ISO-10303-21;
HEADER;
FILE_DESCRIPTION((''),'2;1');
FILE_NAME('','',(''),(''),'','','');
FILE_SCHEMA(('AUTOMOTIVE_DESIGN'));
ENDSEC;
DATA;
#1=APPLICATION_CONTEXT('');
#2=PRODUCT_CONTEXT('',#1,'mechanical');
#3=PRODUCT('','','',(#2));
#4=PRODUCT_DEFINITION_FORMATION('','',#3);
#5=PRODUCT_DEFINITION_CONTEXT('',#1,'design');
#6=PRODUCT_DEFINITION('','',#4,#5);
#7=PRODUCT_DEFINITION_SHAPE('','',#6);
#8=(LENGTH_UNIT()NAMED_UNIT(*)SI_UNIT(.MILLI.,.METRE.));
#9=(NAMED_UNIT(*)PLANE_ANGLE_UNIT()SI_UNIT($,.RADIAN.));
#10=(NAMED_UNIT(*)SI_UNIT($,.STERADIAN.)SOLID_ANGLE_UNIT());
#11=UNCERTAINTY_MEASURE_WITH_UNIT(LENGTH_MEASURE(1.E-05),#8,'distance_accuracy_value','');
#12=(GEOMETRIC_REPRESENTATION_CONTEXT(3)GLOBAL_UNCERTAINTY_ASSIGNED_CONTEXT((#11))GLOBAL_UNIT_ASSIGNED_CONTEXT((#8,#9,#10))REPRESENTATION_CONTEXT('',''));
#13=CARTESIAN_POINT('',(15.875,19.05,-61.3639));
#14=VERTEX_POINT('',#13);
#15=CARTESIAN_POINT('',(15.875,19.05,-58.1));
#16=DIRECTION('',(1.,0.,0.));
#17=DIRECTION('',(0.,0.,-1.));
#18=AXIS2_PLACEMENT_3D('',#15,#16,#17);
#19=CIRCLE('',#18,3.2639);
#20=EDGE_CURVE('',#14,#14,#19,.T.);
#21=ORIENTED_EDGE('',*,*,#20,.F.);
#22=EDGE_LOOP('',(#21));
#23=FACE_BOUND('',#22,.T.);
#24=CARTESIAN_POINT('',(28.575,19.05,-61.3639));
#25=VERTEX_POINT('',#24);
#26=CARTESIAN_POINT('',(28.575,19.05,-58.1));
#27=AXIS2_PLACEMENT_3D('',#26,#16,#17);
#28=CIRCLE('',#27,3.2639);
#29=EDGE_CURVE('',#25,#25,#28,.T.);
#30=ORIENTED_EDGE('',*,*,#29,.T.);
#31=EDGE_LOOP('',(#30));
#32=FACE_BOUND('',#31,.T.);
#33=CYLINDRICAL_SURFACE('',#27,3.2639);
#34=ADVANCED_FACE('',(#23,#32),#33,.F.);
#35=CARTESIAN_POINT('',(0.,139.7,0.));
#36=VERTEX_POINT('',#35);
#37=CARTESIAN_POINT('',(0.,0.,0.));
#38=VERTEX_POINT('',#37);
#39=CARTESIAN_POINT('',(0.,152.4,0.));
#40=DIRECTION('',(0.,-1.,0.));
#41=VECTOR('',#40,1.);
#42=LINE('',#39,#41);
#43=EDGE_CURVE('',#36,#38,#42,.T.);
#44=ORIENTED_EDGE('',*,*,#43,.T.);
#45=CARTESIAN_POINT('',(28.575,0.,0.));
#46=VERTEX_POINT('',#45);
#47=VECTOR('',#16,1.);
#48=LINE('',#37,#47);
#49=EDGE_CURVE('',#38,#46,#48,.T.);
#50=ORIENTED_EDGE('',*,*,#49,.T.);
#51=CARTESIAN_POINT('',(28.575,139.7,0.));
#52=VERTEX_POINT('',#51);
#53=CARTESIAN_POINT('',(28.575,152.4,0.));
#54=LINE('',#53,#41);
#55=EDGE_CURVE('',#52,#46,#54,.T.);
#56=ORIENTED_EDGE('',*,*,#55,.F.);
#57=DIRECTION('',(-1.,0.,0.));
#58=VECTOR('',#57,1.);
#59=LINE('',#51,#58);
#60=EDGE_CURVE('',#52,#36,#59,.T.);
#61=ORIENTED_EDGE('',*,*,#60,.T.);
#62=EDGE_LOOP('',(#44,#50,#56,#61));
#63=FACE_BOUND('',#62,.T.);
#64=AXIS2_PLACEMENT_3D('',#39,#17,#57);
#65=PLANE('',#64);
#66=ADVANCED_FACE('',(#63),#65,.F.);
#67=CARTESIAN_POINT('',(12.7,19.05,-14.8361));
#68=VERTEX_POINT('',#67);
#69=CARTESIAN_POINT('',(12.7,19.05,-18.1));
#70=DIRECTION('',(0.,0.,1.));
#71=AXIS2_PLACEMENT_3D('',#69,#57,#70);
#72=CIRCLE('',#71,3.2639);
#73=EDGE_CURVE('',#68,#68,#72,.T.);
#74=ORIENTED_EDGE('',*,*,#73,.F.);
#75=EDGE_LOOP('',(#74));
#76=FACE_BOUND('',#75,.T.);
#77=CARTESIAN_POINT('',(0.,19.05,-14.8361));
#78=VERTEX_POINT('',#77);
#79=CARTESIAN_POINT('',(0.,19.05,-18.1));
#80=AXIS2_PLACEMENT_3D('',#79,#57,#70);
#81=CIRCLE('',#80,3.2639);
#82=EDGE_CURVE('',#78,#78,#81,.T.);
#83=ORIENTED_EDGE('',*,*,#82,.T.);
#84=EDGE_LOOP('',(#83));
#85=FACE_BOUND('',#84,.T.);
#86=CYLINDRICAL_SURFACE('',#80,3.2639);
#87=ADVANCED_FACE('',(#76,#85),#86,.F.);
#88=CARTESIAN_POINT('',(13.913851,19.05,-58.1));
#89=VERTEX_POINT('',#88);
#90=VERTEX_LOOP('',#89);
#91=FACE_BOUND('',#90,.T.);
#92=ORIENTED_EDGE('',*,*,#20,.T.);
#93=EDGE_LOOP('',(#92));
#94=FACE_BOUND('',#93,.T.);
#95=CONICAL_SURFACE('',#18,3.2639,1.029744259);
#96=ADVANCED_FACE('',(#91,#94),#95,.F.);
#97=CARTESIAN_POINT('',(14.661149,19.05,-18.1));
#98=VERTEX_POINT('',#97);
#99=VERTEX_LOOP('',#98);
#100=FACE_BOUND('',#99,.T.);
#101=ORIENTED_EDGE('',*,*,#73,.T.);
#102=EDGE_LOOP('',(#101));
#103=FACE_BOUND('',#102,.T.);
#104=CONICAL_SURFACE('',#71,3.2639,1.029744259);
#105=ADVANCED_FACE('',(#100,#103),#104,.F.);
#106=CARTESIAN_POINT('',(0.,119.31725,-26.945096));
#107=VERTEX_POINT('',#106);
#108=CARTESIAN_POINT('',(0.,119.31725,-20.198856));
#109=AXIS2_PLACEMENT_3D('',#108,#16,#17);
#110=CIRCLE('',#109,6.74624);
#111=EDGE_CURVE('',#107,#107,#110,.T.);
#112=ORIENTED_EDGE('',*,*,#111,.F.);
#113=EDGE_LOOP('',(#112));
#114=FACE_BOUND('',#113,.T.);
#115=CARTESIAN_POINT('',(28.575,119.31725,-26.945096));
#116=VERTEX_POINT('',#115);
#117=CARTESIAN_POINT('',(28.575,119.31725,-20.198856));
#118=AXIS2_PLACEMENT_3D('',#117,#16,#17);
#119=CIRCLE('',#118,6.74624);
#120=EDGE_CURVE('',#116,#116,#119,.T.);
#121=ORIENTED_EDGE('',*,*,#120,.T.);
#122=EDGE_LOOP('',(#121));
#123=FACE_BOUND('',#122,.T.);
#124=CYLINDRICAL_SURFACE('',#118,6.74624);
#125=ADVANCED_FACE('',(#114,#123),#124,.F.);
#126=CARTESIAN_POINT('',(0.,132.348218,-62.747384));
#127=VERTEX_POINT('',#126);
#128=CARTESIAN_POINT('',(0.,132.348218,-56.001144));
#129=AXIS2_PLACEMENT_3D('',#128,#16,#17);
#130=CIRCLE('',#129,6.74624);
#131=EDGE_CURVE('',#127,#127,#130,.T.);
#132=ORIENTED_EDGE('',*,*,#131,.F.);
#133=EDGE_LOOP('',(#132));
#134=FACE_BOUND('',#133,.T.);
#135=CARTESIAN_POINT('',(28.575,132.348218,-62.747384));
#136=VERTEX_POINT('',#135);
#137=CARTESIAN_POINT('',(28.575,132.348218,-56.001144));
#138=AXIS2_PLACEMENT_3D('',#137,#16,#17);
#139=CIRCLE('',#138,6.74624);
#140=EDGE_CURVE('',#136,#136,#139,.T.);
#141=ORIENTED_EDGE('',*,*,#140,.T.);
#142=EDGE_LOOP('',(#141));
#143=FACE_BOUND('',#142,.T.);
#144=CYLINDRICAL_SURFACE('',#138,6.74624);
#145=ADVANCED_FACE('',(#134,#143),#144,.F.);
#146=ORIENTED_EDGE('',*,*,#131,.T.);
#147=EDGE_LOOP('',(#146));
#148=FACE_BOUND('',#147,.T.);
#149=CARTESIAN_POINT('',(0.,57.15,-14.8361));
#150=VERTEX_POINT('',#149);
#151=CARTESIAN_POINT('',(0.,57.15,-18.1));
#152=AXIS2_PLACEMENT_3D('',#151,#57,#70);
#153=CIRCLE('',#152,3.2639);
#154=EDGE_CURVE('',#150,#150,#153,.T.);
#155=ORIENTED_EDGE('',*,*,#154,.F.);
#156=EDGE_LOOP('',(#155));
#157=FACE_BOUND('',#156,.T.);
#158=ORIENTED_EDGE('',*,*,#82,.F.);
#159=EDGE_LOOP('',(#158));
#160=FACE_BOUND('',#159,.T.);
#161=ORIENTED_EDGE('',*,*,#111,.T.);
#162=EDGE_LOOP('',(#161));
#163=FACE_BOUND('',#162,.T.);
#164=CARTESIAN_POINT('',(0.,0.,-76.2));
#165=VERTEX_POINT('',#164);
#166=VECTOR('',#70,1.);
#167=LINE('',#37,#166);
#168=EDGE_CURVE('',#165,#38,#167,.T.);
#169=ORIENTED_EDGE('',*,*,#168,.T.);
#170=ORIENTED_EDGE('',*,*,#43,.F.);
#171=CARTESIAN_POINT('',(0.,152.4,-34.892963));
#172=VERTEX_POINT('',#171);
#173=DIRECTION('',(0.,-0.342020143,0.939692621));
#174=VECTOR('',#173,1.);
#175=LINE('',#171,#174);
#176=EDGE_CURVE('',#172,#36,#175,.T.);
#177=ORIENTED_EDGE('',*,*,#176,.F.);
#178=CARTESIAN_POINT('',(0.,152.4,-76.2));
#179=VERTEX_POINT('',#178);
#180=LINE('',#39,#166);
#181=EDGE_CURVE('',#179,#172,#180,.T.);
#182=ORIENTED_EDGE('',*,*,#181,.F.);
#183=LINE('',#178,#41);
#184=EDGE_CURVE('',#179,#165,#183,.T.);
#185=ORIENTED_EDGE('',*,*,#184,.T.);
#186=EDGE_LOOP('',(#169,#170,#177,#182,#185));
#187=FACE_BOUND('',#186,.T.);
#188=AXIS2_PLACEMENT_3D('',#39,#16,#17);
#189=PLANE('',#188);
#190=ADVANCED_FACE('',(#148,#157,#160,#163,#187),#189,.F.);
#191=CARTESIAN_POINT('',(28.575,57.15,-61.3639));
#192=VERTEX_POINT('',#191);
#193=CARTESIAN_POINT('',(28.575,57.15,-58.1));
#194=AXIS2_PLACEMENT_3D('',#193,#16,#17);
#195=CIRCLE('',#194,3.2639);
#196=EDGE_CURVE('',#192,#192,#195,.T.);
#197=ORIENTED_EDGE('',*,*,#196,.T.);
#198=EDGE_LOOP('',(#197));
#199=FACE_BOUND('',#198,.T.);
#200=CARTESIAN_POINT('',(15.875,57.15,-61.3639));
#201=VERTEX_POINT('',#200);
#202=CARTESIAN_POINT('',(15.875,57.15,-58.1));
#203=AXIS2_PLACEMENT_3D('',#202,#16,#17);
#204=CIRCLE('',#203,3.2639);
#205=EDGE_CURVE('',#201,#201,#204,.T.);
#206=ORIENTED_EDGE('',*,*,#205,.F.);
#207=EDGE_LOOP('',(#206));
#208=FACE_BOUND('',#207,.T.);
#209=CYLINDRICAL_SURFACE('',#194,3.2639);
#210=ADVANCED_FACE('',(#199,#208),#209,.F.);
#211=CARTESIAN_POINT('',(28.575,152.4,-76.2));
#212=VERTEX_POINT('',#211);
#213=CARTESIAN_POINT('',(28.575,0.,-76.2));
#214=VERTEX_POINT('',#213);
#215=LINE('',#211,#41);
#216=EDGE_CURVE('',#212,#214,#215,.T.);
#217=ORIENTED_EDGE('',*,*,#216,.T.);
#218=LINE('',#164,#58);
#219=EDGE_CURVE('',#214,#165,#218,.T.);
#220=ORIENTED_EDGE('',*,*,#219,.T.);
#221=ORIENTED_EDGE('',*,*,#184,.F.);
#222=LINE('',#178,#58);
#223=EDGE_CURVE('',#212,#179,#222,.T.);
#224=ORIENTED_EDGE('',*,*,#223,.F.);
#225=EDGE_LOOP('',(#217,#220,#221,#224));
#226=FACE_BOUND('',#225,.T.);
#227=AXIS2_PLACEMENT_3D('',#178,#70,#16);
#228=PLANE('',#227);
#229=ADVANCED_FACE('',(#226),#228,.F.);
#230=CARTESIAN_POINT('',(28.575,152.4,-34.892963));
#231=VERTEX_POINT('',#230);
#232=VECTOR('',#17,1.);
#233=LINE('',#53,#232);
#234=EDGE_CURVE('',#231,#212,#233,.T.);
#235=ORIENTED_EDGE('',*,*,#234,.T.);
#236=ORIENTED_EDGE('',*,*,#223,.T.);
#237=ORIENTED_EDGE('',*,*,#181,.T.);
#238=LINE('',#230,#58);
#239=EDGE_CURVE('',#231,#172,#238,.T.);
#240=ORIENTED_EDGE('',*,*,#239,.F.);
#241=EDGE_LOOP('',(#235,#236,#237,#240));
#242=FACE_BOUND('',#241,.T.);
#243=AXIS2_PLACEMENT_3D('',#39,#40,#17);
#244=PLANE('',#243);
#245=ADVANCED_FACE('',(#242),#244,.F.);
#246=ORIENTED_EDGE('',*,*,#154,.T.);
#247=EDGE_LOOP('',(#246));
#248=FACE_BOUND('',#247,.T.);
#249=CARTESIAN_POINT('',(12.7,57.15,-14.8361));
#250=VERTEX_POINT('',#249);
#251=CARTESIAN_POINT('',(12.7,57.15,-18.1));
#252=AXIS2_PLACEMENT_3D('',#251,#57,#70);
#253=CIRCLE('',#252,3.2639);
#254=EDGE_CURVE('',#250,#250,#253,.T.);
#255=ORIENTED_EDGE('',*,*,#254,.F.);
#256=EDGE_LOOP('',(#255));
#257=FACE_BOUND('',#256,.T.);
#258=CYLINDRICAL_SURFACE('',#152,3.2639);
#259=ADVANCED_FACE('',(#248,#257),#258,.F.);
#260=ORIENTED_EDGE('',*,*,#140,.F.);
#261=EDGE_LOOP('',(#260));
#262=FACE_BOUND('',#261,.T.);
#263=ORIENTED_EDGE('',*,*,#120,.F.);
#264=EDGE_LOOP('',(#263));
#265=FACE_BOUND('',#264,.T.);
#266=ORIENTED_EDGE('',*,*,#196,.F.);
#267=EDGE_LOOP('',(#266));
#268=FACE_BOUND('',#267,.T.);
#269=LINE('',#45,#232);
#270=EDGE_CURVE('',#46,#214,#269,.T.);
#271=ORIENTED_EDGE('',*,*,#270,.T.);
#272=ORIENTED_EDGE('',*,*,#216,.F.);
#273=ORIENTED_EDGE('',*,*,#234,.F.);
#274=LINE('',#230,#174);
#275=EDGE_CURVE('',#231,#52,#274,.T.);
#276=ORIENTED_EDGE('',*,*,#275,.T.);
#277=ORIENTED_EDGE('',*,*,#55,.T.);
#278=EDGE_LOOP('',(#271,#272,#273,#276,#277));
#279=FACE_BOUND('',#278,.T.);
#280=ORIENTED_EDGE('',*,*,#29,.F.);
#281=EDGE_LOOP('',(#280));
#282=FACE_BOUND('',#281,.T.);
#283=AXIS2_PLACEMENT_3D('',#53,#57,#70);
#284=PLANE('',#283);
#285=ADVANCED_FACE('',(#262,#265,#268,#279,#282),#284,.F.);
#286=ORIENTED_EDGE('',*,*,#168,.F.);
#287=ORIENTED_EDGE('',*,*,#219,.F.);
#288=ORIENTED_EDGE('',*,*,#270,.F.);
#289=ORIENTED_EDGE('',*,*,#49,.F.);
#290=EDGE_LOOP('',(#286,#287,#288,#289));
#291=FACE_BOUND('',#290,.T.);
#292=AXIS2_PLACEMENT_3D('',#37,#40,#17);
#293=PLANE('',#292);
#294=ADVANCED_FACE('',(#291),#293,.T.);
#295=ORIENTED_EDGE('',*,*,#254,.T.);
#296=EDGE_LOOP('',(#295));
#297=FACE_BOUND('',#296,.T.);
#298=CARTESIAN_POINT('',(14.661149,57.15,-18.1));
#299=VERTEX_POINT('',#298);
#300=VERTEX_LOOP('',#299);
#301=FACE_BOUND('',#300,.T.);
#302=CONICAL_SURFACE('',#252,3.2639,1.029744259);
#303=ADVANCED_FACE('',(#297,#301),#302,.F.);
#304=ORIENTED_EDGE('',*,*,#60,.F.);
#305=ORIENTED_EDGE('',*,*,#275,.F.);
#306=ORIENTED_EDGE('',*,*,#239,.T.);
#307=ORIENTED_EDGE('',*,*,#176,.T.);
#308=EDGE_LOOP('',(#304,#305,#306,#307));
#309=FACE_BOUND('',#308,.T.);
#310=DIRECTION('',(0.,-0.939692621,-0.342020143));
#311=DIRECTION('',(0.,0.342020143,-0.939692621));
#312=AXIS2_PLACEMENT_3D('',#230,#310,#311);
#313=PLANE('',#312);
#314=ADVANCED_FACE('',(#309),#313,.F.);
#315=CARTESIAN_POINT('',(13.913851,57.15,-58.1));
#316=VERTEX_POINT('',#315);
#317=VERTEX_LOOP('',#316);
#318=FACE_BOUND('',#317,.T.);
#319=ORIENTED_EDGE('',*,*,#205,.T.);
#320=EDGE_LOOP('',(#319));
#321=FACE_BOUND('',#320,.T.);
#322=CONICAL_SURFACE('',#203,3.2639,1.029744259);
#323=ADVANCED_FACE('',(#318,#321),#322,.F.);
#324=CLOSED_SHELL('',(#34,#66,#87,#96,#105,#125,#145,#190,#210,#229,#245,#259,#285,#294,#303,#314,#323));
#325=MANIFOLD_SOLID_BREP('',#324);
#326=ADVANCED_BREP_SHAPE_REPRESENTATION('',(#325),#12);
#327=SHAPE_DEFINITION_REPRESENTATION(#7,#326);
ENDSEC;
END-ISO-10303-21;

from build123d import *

# Parameters (mm, degrees)
SKETCH1_W                        = 28.575
SKETCH1_H                        = 76.2
BOSS_EXTRUDE1_DEPTH              = 152.4
F_1_2_CLEARANCE_HOLE1_D          = 13.49248
TAP_DRILL_FOR_5_16_18_TAP1_D     = 6.5278
TAP_DRILL_FOR_5_16_18_TAP1_DEPTH = 12.7
TAP_DRILL_FOR_5_16_18_TAP1_TIP   = 1.961148974
TAP_DRILL_FOR_5_16_18_TAP2_D     = 6.5278
TAP_DRILL_FOR_5_16_18_TAP2_DEPTH = 12.7
TAP_DRILL_FOR_5_16_18_TAP2_TIP   = 1.961148974
CUT_EXTRUDE1_DEPTH               = 173.767851827


with BuildPart() as part:
    # Sketch1 → Boss-Extrude1 (new body)
    with BuildSketch(Plane(origin=(0, 0, 0), x_dir=(1, 0, 0), z_dir=(0, 1, 0))):
        with Locations((14.2875, 38.1)):
            Rectangle(SKETCH1_W, SKETCH1_H)
    extrude(amount=BOSS_EXTRUDE1_DEPTH)

    # 1/2 Clearance Hole1 (through all)
    with Locations(Plane(origin=(28.575, 119.317250344, -20.198855574), x_dir=(0, 0, 1), z_dir=(1, 0, 0))):
        with Locations((0, 0), (-35.802288852, -13.030967461)):
            Hole(F_1_2_CLEARANCE_HOLE1_D / 2)

    # Tap Drill for 5/16-18 Tap1
    with Locations(Plane(origin=(28.575, 0, 0), x_dir=(0, 0, -1), z_dir=(1, 0, 0))):
        with Locations((58.1, 57.15), (58.1, 19.05)):
            Hole(TAP_DRILL_FOR_5_16_18_TAP1_D / 2, depth=TAP_DRILL_FOR_5_16_18_TAP1_DEPTH)
            with Locations((0, 0, -(TAP_DRILL_FOR_5_16_18_TAP1_DEPTH + TAP_DRILL_FOR_5_16_18_TAP1_TIP / 2))):  # 118° drill point
                Cone(0, TAP_DRILL_FOR_5_16_18_TAP1_D / 2, TAP_DRILL_FOR_5_16_18_TAP1_TIP, mode=Mode.SUBTRACT)

    # Tap Drill for 5/16-18 Tap2
    with Locations(Plane.ZY):
        with Locations((-18.1, 57.15), (-18.1, 19.05)):
            Hole(TAP_DRILL_FOR_5_16_18_TAP2_D / 2, depth=TAP_DRILL_FOR_5_16_18_TAP2_DEPTH)
            with Locations((0, 0, -(TAP_DRILL_FOR_5_16_18_TAP2_DEPTH + TAP_DRILL_FOR_5_16_18_TAP2_TIP / 2))):  # 118° drill point
                Cone(0, TAP_DRILL_FOR_5_16_18_TAP2_D / 2, TAP_DRILL_FOR_5_16_18_TAP2_TIP, mode=Mode.SUBTRACT)

    # Sketch12 → Cut-Extrude1 (cut, through all)
    with BuildSketch(Plane.ZY):
        Polygon((-34.892963227, 152.4), (0, 139.7), (0, 152.4), align=None)
    extrude(amount=-CUT_EXTRUDE1_DEPTH, mode=Mode.SUBTRACT)


solid = part.part
